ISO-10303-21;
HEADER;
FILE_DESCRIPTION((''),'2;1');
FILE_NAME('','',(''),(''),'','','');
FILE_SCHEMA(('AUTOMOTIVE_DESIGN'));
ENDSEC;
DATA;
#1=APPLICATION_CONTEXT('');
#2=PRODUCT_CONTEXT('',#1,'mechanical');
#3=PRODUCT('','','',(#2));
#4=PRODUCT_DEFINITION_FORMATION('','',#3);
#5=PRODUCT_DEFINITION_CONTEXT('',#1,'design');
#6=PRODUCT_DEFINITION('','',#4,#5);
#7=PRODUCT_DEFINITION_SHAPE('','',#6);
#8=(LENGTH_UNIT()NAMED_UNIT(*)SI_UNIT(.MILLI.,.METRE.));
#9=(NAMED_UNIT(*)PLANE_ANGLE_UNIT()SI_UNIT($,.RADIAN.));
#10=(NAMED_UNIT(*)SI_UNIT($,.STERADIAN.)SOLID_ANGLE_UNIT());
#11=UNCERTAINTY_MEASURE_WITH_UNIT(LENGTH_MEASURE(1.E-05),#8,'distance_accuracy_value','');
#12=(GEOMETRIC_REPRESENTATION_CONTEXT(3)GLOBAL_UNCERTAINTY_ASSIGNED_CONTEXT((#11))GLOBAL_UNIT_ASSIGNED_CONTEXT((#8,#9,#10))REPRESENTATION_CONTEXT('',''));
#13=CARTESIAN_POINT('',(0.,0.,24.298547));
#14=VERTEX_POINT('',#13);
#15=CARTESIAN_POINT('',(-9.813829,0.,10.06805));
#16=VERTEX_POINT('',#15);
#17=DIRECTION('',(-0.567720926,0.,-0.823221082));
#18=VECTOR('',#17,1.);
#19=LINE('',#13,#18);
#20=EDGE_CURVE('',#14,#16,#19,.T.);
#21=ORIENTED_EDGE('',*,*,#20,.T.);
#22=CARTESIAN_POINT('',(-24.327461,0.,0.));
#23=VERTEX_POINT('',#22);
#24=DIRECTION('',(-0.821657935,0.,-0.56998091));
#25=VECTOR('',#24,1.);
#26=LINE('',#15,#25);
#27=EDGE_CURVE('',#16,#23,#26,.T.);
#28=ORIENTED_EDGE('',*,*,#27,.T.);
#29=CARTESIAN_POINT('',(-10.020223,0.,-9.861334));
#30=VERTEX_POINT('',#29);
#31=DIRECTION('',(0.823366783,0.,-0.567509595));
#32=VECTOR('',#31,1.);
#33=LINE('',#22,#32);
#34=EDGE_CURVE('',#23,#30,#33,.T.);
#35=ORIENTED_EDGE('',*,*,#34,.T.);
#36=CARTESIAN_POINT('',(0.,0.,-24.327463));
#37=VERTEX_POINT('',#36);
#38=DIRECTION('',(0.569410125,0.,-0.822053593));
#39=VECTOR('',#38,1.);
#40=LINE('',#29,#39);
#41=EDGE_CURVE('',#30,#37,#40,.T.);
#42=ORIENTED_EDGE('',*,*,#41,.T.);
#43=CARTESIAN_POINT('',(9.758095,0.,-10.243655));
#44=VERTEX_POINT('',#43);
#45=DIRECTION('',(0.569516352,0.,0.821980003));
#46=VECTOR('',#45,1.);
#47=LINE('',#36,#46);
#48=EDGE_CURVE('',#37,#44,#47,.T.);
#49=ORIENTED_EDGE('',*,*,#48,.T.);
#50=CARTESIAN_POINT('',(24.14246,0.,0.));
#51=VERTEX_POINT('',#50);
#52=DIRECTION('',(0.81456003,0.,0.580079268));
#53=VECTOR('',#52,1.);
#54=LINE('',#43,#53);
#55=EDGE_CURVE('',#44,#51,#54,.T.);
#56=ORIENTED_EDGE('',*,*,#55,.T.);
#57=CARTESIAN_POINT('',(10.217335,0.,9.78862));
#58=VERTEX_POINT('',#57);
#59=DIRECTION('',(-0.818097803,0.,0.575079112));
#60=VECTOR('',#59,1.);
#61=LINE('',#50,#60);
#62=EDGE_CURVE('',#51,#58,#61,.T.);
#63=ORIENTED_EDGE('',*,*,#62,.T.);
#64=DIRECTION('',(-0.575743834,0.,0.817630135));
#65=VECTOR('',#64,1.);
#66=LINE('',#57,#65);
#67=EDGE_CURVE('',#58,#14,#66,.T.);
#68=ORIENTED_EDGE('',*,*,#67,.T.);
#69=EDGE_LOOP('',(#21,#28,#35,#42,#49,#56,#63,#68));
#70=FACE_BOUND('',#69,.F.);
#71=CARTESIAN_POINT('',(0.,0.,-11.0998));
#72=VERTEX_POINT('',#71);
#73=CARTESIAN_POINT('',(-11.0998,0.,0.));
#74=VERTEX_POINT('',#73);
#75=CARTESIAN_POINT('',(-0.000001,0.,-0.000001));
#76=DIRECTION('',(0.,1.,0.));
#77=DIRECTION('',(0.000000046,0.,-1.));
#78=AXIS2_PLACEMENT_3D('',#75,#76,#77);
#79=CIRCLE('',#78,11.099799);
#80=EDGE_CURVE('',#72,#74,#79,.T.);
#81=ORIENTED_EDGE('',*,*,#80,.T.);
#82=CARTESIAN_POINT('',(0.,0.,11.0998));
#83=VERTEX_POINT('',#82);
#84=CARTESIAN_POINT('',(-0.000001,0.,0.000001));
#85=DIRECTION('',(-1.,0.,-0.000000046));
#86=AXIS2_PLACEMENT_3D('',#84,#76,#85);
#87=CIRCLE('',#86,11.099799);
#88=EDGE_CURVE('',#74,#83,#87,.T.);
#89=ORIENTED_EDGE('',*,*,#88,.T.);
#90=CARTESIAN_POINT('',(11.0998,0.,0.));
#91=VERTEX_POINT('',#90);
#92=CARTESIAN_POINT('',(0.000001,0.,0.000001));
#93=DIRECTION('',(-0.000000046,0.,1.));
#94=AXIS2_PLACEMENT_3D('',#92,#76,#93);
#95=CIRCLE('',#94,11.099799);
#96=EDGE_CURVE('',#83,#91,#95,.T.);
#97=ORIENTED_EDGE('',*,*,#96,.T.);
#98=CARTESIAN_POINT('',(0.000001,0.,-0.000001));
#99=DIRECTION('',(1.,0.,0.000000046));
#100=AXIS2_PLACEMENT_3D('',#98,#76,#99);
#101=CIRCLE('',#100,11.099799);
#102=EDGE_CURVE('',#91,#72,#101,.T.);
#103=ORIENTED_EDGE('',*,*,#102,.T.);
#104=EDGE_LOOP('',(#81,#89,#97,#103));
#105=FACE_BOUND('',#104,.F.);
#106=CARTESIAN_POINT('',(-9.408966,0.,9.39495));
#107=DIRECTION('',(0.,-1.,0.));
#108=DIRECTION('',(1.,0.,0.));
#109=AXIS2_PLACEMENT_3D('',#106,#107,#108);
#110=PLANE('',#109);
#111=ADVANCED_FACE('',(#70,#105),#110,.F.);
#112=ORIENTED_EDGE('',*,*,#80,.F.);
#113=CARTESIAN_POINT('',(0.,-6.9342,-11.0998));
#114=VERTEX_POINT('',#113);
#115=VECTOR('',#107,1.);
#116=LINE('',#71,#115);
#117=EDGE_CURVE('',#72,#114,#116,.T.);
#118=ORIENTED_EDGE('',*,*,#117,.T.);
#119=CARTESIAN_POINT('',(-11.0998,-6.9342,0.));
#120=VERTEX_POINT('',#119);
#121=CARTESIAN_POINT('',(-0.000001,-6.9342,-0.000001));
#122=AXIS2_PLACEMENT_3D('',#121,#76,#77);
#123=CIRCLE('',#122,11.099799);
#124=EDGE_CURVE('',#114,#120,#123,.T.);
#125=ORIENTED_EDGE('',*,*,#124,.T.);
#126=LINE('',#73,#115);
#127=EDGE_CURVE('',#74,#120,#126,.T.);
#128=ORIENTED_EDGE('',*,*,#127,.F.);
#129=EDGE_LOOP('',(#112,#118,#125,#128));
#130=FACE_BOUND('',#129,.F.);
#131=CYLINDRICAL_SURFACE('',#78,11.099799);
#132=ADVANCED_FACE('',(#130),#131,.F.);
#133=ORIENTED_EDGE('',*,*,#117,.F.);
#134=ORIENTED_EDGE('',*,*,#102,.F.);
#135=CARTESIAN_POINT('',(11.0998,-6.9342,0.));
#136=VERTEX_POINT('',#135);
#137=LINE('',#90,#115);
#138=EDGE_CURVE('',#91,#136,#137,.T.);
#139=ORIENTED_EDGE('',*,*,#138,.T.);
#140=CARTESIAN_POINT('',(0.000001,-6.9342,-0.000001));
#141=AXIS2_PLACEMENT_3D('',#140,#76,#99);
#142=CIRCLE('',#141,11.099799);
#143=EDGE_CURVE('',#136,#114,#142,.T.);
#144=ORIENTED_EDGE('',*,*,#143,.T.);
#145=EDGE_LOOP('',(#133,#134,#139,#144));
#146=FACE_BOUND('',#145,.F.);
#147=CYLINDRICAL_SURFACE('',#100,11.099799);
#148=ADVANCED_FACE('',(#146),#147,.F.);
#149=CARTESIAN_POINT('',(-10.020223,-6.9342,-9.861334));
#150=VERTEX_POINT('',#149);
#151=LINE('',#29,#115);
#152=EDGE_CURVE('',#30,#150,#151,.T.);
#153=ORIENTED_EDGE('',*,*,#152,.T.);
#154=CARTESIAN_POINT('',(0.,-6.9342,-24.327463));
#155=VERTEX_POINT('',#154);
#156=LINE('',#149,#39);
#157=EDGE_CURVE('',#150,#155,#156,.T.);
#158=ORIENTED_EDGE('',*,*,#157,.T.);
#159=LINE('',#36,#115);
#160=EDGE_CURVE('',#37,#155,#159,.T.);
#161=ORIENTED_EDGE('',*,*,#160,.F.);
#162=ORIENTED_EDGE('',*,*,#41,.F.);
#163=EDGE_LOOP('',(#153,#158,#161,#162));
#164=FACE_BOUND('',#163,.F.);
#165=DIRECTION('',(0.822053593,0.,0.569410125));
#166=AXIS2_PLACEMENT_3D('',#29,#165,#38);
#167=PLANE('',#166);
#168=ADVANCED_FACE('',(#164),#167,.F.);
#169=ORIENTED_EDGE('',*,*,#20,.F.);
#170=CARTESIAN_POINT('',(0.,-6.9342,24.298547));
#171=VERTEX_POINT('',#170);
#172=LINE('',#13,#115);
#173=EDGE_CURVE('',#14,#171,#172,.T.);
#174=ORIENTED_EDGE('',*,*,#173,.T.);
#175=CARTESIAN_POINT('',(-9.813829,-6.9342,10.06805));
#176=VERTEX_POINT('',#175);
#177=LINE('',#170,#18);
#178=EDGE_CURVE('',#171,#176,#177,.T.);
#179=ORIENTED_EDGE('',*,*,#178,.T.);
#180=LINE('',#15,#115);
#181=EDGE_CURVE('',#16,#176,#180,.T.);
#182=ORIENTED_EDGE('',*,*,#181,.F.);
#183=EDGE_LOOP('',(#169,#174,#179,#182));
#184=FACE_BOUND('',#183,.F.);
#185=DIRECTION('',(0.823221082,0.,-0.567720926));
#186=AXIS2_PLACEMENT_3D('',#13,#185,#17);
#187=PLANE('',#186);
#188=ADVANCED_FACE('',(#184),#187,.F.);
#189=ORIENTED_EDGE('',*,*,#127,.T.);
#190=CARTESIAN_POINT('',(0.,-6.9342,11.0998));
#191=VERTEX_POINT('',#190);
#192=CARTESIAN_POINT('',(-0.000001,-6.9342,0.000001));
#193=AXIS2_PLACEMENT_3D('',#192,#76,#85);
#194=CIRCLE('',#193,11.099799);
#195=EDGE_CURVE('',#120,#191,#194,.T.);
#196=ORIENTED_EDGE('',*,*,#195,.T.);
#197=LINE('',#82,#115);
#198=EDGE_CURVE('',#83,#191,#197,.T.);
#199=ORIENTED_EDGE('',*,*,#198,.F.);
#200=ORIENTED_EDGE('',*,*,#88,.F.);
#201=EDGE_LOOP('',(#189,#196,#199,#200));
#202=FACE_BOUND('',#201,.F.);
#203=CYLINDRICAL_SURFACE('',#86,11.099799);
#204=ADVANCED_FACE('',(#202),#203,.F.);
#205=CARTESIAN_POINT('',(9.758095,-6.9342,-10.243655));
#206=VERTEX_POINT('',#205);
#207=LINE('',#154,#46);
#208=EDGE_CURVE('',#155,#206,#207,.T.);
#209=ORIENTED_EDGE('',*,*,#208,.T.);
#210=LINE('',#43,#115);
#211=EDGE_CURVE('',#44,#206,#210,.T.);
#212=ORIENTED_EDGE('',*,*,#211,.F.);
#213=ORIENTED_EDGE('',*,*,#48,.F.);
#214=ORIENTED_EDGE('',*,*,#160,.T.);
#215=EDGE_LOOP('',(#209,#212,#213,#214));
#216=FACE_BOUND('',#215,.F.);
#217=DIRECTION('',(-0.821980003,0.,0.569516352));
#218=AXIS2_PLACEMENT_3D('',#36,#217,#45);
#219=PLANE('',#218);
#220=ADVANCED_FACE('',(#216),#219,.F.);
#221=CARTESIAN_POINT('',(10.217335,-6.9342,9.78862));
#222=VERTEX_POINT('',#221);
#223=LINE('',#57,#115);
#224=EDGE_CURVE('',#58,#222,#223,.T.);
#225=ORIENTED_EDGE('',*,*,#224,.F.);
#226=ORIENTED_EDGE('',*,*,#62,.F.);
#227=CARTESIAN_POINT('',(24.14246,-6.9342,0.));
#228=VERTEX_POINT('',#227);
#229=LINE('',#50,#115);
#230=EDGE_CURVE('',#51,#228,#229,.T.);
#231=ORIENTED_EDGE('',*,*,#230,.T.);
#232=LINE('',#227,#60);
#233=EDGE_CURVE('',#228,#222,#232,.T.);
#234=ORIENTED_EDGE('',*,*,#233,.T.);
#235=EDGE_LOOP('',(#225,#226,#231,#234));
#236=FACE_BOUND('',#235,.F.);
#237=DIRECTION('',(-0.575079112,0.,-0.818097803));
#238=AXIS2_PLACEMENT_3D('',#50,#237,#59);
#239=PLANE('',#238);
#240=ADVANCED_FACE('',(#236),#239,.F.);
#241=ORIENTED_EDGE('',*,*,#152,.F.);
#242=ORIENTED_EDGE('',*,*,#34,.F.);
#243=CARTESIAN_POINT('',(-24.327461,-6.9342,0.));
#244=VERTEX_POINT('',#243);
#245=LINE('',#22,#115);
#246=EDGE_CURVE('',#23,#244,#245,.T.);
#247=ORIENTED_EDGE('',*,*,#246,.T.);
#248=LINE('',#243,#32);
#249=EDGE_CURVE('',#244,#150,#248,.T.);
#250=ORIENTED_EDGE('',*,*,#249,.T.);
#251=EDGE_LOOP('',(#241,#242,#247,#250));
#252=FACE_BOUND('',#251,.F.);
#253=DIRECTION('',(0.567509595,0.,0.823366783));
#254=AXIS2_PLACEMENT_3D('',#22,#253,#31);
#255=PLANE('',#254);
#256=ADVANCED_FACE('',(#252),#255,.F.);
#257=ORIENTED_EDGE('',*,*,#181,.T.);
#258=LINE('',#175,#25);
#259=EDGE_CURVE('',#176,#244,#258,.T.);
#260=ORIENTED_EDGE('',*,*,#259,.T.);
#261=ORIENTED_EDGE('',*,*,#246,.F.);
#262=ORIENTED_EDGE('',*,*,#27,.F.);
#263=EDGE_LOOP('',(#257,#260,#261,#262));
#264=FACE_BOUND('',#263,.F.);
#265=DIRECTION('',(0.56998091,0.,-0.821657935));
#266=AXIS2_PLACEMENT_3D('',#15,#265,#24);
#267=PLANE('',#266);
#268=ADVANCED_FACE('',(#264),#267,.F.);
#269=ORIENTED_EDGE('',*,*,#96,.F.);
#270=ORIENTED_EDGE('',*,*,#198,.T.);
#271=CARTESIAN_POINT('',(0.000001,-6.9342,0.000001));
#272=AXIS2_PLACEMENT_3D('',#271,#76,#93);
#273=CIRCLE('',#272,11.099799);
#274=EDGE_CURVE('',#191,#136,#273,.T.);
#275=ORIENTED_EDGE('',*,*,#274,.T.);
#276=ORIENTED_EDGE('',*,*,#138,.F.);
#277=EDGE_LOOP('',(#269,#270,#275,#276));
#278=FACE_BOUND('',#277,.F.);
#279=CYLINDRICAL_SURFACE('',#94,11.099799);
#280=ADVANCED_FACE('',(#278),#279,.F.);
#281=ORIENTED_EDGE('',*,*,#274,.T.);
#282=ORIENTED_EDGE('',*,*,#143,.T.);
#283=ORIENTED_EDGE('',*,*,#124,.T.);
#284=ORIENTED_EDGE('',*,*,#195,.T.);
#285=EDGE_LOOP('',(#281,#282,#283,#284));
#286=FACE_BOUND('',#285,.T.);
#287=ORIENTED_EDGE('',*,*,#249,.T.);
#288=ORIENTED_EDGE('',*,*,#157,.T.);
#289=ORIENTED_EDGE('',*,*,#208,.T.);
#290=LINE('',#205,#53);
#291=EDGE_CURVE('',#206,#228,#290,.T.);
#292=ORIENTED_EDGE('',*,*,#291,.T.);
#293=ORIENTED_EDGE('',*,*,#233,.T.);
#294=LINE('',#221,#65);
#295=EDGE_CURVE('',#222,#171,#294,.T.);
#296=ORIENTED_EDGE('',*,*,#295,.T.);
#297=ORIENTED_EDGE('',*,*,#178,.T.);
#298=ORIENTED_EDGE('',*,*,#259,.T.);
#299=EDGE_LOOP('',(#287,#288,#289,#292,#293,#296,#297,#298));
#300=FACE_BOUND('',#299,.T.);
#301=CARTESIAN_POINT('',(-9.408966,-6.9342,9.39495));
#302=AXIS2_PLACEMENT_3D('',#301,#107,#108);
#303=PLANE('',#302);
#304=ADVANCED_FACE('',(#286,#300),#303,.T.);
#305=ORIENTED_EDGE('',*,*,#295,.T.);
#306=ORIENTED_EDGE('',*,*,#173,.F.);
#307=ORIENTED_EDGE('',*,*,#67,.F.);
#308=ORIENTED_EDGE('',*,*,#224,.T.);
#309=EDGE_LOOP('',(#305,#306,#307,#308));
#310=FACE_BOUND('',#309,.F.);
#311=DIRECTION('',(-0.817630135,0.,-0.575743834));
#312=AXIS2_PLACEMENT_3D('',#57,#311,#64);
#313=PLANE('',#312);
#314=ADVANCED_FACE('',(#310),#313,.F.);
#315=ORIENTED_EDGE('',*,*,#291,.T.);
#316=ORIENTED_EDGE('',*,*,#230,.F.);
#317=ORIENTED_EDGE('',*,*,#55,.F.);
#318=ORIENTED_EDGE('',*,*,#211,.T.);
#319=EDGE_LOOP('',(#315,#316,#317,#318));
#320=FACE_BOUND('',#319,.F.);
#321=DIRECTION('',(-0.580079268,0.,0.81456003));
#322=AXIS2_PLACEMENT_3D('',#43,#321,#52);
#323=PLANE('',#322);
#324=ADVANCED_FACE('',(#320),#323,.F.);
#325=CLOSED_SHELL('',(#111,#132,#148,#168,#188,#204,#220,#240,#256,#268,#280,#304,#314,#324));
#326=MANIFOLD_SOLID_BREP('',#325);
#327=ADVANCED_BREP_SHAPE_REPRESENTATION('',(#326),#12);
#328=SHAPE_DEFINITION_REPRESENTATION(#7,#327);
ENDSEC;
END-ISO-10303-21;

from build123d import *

# Parameters (mm, degrees)
F1_DEPTH = 6.9342


with BuildPart() as f1:
    # F0 (on Front) → F1 (new body)
    with BuildSketch(Plane.XZ):
        with BuildLine():
            ThreePointArc((-11.0998, 0), (-7.848744, 7.848744), (0, 11.0998))
            Line((0, 11.0998), (0, 24.298547))
            Line((0, 24.298547), (-9.813829, 10.06805))
            Line((-9.813829, 10.06805), (-24.327461, 0))
            Line((-24.327461, 0), (-11.0998, 0))
        make_face()
        with BuildLine():
            Line((0, 24.298547), (0, 11.0998))
            ThreePointArc((0, 11.0998), (7.848744, 7.848744), (11.0998, 0))
            Line((11.0998, 0), (24.14246, 0))
            Line((24.14246, 0), (10.217335, 9.78862))
            Line((10.217335, 9.78862), (0, 24.298547))
        make_face()
        with BuildLine():
            ThreePointArc((0, -11.0998), (-7.848744, -7.848744), (-11.0998, 0))
            Line((-11.0998, 0), (-24.327461, 0))
            Line((-24.327461, 0), (-10.020223, -9.861334))
            Line((-10.020223, -9.861334), (0, -24.327463))
            Line((0, -24.327463), (0, -11.0998))
        make_face()
        with BuildLine():
            Line((24.14246, 0), (11.0998, 0))
            ThreePointArc((11.0998, 0), (7.848744, -7.848744), (0, -11.0998))
            Line((0, -11.0998), (0, -24.327463))
            Line((0, -24.327463), (9.758095, -10.243655))
            Line((9.758095, -10.243655), (24.14246, 0))
        make_face()
    extrude(amount=F1_DEPTH)


solid = f1.part
